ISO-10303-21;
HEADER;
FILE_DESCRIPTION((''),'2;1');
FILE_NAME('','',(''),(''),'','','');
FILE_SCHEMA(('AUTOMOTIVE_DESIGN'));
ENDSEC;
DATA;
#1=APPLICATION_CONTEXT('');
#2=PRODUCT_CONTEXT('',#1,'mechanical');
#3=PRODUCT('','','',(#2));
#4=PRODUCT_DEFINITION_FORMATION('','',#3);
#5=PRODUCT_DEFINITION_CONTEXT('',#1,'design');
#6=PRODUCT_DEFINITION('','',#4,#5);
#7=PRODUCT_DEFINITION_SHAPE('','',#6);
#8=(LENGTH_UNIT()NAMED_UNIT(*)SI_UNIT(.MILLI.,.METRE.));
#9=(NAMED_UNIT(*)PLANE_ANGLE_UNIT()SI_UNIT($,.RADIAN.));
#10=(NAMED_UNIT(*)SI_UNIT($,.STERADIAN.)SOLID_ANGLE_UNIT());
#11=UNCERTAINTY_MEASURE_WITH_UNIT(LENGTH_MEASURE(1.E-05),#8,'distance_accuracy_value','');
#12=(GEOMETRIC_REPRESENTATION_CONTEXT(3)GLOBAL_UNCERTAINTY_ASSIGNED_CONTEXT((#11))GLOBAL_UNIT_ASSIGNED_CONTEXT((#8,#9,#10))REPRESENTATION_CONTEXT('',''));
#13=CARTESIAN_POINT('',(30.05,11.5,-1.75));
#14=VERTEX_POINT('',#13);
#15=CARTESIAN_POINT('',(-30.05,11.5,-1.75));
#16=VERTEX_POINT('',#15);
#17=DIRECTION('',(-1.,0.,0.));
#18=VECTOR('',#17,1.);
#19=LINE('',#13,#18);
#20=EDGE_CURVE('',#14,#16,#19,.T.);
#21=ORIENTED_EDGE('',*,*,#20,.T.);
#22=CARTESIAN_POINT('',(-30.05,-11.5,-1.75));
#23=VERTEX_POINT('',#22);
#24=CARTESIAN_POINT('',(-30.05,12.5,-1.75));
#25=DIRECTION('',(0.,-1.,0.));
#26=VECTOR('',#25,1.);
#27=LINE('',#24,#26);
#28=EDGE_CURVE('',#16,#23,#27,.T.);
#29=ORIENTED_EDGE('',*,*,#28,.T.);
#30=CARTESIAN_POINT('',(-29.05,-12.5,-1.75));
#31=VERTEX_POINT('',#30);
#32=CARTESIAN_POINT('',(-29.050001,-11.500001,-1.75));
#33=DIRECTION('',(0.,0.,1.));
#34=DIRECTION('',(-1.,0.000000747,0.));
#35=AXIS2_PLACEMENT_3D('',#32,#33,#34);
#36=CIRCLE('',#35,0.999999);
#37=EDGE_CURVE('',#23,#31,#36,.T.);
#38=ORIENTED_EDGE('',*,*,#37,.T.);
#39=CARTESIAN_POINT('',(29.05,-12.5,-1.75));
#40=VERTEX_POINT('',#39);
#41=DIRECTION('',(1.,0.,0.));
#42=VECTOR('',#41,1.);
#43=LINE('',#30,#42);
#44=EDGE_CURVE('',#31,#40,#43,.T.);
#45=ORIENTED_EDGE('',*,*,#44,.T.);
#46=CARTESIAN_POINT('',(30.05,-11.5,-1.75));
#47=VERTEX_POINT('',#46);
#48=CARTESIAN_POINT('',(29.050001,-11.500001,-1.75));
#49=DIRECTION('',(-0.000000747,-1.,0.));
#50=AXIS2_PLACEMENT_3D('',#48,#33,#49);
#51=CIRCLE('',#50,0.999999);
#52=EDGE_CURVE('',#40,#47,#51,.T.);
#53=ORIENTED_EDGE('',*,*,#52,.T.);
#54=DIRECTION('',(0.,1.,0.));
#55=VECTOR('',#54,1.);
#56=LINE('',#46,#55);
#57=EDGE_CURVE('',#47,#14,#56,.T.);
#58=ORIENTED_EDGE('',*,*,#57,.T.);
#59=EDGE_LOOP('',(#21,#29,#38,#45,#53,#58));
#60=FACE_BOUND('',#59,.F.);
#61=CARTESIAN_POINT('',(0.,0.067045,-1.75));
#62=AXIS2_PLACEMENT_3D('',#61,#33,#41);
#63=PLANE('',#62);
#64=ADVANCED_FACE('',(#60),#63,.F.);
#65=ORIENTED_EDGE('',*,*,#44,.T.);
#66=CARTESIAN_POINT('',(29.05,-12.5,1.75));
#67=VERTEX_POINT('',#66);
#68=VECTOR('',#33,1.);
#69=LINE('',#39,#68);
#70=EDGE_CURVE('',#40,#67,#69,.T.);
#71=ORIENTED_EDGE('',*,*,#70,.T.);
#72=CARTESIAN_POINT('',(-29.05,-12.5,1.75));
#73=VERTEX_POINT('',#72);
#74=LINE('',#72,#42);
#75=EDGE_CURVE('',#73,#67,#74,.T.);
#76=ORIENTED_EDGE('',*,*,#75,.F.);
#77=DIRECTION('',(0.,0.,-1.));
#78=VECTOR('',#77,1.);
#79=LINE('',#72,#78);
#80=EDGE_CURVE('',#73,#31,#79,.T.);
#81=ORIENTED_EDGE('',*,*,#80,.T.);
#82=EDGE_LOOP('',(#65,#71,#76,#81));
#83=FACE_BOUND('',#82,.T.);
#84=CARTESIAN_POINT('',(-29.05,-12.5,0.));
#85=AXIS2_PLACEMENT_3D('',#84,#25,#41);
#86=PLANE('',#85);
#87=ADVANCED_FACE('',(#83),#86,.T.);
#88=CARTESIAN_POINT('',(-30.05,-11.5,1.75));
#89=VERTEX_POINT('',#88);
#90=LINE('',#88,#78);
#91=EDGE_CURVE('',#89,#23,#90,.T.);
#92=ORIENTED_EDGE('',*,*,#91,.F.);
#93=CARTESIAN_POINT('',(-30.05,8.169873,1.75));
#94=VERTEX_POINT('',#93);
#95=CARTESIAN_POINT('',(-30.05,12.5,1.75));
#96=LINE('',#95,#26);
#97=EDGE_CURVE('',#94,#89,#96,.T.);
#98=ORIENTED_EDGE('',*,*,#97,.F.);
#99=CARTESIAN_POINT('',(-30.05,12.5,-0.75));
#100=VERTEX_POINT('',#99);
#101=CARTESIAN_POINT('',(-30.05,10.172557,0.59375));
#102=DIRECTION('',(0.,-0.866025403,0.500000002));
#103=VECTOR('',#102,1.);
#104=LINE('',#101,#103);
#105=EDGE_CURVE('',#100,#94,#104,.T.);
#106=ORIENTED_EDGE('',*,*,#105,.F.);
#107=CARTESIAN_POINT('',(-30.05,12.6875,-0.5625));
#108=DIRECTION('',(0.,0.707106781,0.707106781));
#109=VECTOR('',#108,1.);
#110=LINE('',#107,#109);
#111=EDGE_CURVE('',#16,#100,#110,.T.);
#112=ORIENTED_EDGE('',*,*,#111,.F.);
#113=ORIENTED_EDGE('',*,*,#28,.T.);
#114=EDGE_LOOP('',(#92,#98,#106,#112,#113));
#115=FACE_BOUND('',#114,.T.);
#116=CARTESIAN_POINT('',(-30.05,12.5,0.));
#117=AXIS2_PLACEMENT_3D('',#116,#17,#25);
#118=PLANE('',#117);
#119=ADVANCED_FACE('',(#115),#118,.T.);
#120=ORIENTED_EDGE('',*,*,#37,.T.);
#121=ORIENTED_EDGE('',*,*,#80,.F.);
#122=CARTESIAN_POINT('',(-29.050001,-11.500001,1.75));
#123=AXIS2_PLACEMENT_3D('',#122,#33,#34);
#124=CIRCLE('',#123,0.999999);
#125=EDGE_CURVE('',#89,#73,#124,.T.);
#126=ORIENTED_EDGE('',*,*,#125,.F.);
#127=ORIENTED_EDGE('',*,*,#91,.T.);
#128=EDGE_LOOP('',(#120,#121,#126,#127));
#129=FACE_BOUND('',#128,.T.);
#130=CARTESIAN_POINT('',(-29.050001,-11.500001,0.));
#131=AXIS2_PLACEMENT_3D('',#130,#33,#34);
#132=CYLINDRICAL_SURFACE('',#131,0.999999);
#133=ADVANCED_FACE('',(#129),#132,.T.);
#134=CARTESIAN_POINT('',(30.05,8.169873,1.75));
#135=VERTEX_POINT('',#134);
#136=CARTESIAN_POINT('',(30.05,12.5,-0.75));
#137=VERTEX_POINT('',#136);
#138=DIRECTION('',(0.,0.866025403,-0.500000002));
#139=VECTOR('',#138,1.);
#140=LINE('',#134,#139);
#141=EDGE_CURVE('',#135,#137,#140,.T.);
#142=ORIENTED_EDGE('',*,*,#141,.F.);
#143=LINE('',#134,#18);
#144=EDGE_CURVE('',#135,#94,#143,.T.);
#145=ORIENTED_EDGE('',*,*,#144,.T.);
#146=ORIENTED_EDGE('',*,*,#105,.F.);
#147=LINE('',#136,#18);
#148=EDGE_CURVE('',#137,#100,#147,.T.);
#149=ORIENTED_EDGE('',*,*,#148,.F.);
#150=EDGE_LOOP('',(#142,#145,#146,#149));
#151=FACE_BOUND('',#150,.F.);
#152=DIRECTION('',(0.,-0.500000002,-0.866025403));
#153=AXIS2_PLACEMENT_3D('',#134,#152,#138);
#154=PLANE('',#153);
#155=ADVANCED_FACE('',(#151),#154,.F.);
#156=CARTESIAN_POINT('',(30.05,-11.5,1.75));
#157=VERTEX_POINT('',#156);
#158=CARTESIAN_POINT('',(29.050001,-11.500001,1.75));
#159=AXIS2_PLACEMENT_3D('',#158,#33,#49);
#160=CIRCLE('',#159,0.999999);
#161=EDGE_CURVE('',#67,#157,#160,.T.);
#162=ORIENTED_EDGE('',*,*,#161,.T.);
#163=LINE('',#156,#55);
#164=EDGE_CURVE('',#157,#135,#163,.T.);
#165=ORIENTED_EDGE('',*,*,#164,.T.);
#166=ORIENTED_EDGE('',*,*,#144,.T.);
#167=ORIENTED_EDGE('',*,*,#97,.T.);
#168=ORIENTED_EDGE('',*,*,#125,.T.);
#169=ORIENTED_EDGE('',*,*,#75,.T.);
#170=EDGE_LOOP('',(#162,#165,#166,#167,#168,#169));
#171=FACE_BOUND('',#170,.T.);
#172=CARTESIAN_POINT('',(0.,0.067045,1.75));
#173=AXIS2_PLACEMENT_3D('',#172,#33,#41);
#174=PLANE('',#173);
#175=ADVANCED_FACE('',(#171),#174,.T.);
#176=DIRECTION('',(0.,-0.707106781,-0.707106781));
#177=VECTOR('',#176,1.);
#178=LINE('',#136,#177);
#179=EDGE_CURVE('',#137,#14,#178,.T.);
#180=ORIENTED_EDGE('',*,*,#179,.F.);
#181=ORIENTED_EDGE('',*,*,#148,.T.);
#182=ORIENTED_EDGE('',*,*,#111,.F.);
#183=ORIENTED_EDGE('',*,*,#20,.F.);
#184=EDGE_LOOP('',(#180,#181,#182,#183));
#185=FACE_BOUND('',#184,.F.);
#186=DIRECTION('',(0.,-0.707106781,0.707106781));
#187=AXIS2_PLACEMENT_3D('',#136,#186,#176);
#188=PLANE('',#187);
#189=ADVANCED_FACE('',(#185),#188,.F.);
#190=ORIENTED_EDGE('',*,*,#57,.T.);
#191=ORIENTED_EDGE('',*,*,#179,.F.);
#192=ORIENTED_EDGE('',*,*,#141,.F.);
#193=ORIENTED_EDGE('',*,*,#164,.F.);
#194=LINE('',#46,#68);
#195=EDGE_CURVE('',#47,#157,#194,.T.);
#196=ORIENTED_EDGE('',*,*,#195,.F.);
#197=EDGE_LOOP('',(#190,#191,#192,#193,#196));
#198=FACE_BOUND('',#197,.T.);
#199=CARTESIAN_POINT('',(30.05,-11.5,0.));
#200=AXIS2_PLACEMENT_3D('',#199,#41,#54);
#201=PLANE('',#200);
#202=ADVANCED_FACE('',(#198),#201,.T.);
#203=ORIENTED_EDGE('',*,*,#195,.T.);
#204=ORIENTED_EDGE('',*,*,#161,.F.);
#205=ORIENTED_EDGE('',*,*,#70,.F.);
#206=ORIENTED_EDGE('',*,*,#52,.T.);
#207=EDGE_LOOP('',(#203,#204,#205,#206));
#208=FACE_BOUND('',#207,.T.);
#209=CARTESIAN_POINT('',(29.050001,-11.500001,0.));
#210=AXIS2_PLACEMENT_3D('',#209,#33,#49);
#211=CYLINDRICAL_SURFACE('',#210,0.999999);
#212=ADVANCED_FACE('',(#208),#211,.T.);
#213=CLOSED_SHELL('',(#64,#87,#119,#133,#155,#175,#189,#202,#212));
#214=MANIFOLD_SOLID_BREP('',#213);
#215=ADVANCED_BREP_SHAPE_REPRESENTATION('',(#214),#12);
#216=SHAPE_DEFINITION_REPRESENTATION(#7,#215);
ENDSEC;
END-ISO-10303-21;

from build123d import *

# Parameters (mm, degrees)
F1_DEPTH = 1.75
F3_DEPTH = 100


with BuildPart() as f1:
    # F0 (on Top) → F1 (new body, symmetric)
    with BuildSketch(Plane.XY):
        with BuildLine():
            Line((-29.05, -12.5), (29.05, -12.5))
            ThreePointArc((29.05, -12.5), (29.757107, -12.207107), (30.05, -11.5))
            Line((30.05, -11.5), (30.05, 12.5))
            Line((30.05, 12.5), (-30.05, 12.5))
            Line((-30.05, 12.5), (-30.05, -11.5))
            ThreePointArc((-30.05, -11.5), (-29.757107, -12.207107), (-29.05, -12.5))
        make_face()
    extrude(amount=F1_DEPTH, both=True)

    # F2 (on face) → F3 (cut)
    with BuildSketch(Plane.YZ.offset(30.05)):
        Polygon((12.5, -0.75), (11.5, -1.75), (13.169873, -1.75), (13.169873, 1.75), (8.169873, 1.75), align=None)
    extrude(amount=-F3_DEPTH, mode=Mode.SUBTRACT)


solid = f1.part
